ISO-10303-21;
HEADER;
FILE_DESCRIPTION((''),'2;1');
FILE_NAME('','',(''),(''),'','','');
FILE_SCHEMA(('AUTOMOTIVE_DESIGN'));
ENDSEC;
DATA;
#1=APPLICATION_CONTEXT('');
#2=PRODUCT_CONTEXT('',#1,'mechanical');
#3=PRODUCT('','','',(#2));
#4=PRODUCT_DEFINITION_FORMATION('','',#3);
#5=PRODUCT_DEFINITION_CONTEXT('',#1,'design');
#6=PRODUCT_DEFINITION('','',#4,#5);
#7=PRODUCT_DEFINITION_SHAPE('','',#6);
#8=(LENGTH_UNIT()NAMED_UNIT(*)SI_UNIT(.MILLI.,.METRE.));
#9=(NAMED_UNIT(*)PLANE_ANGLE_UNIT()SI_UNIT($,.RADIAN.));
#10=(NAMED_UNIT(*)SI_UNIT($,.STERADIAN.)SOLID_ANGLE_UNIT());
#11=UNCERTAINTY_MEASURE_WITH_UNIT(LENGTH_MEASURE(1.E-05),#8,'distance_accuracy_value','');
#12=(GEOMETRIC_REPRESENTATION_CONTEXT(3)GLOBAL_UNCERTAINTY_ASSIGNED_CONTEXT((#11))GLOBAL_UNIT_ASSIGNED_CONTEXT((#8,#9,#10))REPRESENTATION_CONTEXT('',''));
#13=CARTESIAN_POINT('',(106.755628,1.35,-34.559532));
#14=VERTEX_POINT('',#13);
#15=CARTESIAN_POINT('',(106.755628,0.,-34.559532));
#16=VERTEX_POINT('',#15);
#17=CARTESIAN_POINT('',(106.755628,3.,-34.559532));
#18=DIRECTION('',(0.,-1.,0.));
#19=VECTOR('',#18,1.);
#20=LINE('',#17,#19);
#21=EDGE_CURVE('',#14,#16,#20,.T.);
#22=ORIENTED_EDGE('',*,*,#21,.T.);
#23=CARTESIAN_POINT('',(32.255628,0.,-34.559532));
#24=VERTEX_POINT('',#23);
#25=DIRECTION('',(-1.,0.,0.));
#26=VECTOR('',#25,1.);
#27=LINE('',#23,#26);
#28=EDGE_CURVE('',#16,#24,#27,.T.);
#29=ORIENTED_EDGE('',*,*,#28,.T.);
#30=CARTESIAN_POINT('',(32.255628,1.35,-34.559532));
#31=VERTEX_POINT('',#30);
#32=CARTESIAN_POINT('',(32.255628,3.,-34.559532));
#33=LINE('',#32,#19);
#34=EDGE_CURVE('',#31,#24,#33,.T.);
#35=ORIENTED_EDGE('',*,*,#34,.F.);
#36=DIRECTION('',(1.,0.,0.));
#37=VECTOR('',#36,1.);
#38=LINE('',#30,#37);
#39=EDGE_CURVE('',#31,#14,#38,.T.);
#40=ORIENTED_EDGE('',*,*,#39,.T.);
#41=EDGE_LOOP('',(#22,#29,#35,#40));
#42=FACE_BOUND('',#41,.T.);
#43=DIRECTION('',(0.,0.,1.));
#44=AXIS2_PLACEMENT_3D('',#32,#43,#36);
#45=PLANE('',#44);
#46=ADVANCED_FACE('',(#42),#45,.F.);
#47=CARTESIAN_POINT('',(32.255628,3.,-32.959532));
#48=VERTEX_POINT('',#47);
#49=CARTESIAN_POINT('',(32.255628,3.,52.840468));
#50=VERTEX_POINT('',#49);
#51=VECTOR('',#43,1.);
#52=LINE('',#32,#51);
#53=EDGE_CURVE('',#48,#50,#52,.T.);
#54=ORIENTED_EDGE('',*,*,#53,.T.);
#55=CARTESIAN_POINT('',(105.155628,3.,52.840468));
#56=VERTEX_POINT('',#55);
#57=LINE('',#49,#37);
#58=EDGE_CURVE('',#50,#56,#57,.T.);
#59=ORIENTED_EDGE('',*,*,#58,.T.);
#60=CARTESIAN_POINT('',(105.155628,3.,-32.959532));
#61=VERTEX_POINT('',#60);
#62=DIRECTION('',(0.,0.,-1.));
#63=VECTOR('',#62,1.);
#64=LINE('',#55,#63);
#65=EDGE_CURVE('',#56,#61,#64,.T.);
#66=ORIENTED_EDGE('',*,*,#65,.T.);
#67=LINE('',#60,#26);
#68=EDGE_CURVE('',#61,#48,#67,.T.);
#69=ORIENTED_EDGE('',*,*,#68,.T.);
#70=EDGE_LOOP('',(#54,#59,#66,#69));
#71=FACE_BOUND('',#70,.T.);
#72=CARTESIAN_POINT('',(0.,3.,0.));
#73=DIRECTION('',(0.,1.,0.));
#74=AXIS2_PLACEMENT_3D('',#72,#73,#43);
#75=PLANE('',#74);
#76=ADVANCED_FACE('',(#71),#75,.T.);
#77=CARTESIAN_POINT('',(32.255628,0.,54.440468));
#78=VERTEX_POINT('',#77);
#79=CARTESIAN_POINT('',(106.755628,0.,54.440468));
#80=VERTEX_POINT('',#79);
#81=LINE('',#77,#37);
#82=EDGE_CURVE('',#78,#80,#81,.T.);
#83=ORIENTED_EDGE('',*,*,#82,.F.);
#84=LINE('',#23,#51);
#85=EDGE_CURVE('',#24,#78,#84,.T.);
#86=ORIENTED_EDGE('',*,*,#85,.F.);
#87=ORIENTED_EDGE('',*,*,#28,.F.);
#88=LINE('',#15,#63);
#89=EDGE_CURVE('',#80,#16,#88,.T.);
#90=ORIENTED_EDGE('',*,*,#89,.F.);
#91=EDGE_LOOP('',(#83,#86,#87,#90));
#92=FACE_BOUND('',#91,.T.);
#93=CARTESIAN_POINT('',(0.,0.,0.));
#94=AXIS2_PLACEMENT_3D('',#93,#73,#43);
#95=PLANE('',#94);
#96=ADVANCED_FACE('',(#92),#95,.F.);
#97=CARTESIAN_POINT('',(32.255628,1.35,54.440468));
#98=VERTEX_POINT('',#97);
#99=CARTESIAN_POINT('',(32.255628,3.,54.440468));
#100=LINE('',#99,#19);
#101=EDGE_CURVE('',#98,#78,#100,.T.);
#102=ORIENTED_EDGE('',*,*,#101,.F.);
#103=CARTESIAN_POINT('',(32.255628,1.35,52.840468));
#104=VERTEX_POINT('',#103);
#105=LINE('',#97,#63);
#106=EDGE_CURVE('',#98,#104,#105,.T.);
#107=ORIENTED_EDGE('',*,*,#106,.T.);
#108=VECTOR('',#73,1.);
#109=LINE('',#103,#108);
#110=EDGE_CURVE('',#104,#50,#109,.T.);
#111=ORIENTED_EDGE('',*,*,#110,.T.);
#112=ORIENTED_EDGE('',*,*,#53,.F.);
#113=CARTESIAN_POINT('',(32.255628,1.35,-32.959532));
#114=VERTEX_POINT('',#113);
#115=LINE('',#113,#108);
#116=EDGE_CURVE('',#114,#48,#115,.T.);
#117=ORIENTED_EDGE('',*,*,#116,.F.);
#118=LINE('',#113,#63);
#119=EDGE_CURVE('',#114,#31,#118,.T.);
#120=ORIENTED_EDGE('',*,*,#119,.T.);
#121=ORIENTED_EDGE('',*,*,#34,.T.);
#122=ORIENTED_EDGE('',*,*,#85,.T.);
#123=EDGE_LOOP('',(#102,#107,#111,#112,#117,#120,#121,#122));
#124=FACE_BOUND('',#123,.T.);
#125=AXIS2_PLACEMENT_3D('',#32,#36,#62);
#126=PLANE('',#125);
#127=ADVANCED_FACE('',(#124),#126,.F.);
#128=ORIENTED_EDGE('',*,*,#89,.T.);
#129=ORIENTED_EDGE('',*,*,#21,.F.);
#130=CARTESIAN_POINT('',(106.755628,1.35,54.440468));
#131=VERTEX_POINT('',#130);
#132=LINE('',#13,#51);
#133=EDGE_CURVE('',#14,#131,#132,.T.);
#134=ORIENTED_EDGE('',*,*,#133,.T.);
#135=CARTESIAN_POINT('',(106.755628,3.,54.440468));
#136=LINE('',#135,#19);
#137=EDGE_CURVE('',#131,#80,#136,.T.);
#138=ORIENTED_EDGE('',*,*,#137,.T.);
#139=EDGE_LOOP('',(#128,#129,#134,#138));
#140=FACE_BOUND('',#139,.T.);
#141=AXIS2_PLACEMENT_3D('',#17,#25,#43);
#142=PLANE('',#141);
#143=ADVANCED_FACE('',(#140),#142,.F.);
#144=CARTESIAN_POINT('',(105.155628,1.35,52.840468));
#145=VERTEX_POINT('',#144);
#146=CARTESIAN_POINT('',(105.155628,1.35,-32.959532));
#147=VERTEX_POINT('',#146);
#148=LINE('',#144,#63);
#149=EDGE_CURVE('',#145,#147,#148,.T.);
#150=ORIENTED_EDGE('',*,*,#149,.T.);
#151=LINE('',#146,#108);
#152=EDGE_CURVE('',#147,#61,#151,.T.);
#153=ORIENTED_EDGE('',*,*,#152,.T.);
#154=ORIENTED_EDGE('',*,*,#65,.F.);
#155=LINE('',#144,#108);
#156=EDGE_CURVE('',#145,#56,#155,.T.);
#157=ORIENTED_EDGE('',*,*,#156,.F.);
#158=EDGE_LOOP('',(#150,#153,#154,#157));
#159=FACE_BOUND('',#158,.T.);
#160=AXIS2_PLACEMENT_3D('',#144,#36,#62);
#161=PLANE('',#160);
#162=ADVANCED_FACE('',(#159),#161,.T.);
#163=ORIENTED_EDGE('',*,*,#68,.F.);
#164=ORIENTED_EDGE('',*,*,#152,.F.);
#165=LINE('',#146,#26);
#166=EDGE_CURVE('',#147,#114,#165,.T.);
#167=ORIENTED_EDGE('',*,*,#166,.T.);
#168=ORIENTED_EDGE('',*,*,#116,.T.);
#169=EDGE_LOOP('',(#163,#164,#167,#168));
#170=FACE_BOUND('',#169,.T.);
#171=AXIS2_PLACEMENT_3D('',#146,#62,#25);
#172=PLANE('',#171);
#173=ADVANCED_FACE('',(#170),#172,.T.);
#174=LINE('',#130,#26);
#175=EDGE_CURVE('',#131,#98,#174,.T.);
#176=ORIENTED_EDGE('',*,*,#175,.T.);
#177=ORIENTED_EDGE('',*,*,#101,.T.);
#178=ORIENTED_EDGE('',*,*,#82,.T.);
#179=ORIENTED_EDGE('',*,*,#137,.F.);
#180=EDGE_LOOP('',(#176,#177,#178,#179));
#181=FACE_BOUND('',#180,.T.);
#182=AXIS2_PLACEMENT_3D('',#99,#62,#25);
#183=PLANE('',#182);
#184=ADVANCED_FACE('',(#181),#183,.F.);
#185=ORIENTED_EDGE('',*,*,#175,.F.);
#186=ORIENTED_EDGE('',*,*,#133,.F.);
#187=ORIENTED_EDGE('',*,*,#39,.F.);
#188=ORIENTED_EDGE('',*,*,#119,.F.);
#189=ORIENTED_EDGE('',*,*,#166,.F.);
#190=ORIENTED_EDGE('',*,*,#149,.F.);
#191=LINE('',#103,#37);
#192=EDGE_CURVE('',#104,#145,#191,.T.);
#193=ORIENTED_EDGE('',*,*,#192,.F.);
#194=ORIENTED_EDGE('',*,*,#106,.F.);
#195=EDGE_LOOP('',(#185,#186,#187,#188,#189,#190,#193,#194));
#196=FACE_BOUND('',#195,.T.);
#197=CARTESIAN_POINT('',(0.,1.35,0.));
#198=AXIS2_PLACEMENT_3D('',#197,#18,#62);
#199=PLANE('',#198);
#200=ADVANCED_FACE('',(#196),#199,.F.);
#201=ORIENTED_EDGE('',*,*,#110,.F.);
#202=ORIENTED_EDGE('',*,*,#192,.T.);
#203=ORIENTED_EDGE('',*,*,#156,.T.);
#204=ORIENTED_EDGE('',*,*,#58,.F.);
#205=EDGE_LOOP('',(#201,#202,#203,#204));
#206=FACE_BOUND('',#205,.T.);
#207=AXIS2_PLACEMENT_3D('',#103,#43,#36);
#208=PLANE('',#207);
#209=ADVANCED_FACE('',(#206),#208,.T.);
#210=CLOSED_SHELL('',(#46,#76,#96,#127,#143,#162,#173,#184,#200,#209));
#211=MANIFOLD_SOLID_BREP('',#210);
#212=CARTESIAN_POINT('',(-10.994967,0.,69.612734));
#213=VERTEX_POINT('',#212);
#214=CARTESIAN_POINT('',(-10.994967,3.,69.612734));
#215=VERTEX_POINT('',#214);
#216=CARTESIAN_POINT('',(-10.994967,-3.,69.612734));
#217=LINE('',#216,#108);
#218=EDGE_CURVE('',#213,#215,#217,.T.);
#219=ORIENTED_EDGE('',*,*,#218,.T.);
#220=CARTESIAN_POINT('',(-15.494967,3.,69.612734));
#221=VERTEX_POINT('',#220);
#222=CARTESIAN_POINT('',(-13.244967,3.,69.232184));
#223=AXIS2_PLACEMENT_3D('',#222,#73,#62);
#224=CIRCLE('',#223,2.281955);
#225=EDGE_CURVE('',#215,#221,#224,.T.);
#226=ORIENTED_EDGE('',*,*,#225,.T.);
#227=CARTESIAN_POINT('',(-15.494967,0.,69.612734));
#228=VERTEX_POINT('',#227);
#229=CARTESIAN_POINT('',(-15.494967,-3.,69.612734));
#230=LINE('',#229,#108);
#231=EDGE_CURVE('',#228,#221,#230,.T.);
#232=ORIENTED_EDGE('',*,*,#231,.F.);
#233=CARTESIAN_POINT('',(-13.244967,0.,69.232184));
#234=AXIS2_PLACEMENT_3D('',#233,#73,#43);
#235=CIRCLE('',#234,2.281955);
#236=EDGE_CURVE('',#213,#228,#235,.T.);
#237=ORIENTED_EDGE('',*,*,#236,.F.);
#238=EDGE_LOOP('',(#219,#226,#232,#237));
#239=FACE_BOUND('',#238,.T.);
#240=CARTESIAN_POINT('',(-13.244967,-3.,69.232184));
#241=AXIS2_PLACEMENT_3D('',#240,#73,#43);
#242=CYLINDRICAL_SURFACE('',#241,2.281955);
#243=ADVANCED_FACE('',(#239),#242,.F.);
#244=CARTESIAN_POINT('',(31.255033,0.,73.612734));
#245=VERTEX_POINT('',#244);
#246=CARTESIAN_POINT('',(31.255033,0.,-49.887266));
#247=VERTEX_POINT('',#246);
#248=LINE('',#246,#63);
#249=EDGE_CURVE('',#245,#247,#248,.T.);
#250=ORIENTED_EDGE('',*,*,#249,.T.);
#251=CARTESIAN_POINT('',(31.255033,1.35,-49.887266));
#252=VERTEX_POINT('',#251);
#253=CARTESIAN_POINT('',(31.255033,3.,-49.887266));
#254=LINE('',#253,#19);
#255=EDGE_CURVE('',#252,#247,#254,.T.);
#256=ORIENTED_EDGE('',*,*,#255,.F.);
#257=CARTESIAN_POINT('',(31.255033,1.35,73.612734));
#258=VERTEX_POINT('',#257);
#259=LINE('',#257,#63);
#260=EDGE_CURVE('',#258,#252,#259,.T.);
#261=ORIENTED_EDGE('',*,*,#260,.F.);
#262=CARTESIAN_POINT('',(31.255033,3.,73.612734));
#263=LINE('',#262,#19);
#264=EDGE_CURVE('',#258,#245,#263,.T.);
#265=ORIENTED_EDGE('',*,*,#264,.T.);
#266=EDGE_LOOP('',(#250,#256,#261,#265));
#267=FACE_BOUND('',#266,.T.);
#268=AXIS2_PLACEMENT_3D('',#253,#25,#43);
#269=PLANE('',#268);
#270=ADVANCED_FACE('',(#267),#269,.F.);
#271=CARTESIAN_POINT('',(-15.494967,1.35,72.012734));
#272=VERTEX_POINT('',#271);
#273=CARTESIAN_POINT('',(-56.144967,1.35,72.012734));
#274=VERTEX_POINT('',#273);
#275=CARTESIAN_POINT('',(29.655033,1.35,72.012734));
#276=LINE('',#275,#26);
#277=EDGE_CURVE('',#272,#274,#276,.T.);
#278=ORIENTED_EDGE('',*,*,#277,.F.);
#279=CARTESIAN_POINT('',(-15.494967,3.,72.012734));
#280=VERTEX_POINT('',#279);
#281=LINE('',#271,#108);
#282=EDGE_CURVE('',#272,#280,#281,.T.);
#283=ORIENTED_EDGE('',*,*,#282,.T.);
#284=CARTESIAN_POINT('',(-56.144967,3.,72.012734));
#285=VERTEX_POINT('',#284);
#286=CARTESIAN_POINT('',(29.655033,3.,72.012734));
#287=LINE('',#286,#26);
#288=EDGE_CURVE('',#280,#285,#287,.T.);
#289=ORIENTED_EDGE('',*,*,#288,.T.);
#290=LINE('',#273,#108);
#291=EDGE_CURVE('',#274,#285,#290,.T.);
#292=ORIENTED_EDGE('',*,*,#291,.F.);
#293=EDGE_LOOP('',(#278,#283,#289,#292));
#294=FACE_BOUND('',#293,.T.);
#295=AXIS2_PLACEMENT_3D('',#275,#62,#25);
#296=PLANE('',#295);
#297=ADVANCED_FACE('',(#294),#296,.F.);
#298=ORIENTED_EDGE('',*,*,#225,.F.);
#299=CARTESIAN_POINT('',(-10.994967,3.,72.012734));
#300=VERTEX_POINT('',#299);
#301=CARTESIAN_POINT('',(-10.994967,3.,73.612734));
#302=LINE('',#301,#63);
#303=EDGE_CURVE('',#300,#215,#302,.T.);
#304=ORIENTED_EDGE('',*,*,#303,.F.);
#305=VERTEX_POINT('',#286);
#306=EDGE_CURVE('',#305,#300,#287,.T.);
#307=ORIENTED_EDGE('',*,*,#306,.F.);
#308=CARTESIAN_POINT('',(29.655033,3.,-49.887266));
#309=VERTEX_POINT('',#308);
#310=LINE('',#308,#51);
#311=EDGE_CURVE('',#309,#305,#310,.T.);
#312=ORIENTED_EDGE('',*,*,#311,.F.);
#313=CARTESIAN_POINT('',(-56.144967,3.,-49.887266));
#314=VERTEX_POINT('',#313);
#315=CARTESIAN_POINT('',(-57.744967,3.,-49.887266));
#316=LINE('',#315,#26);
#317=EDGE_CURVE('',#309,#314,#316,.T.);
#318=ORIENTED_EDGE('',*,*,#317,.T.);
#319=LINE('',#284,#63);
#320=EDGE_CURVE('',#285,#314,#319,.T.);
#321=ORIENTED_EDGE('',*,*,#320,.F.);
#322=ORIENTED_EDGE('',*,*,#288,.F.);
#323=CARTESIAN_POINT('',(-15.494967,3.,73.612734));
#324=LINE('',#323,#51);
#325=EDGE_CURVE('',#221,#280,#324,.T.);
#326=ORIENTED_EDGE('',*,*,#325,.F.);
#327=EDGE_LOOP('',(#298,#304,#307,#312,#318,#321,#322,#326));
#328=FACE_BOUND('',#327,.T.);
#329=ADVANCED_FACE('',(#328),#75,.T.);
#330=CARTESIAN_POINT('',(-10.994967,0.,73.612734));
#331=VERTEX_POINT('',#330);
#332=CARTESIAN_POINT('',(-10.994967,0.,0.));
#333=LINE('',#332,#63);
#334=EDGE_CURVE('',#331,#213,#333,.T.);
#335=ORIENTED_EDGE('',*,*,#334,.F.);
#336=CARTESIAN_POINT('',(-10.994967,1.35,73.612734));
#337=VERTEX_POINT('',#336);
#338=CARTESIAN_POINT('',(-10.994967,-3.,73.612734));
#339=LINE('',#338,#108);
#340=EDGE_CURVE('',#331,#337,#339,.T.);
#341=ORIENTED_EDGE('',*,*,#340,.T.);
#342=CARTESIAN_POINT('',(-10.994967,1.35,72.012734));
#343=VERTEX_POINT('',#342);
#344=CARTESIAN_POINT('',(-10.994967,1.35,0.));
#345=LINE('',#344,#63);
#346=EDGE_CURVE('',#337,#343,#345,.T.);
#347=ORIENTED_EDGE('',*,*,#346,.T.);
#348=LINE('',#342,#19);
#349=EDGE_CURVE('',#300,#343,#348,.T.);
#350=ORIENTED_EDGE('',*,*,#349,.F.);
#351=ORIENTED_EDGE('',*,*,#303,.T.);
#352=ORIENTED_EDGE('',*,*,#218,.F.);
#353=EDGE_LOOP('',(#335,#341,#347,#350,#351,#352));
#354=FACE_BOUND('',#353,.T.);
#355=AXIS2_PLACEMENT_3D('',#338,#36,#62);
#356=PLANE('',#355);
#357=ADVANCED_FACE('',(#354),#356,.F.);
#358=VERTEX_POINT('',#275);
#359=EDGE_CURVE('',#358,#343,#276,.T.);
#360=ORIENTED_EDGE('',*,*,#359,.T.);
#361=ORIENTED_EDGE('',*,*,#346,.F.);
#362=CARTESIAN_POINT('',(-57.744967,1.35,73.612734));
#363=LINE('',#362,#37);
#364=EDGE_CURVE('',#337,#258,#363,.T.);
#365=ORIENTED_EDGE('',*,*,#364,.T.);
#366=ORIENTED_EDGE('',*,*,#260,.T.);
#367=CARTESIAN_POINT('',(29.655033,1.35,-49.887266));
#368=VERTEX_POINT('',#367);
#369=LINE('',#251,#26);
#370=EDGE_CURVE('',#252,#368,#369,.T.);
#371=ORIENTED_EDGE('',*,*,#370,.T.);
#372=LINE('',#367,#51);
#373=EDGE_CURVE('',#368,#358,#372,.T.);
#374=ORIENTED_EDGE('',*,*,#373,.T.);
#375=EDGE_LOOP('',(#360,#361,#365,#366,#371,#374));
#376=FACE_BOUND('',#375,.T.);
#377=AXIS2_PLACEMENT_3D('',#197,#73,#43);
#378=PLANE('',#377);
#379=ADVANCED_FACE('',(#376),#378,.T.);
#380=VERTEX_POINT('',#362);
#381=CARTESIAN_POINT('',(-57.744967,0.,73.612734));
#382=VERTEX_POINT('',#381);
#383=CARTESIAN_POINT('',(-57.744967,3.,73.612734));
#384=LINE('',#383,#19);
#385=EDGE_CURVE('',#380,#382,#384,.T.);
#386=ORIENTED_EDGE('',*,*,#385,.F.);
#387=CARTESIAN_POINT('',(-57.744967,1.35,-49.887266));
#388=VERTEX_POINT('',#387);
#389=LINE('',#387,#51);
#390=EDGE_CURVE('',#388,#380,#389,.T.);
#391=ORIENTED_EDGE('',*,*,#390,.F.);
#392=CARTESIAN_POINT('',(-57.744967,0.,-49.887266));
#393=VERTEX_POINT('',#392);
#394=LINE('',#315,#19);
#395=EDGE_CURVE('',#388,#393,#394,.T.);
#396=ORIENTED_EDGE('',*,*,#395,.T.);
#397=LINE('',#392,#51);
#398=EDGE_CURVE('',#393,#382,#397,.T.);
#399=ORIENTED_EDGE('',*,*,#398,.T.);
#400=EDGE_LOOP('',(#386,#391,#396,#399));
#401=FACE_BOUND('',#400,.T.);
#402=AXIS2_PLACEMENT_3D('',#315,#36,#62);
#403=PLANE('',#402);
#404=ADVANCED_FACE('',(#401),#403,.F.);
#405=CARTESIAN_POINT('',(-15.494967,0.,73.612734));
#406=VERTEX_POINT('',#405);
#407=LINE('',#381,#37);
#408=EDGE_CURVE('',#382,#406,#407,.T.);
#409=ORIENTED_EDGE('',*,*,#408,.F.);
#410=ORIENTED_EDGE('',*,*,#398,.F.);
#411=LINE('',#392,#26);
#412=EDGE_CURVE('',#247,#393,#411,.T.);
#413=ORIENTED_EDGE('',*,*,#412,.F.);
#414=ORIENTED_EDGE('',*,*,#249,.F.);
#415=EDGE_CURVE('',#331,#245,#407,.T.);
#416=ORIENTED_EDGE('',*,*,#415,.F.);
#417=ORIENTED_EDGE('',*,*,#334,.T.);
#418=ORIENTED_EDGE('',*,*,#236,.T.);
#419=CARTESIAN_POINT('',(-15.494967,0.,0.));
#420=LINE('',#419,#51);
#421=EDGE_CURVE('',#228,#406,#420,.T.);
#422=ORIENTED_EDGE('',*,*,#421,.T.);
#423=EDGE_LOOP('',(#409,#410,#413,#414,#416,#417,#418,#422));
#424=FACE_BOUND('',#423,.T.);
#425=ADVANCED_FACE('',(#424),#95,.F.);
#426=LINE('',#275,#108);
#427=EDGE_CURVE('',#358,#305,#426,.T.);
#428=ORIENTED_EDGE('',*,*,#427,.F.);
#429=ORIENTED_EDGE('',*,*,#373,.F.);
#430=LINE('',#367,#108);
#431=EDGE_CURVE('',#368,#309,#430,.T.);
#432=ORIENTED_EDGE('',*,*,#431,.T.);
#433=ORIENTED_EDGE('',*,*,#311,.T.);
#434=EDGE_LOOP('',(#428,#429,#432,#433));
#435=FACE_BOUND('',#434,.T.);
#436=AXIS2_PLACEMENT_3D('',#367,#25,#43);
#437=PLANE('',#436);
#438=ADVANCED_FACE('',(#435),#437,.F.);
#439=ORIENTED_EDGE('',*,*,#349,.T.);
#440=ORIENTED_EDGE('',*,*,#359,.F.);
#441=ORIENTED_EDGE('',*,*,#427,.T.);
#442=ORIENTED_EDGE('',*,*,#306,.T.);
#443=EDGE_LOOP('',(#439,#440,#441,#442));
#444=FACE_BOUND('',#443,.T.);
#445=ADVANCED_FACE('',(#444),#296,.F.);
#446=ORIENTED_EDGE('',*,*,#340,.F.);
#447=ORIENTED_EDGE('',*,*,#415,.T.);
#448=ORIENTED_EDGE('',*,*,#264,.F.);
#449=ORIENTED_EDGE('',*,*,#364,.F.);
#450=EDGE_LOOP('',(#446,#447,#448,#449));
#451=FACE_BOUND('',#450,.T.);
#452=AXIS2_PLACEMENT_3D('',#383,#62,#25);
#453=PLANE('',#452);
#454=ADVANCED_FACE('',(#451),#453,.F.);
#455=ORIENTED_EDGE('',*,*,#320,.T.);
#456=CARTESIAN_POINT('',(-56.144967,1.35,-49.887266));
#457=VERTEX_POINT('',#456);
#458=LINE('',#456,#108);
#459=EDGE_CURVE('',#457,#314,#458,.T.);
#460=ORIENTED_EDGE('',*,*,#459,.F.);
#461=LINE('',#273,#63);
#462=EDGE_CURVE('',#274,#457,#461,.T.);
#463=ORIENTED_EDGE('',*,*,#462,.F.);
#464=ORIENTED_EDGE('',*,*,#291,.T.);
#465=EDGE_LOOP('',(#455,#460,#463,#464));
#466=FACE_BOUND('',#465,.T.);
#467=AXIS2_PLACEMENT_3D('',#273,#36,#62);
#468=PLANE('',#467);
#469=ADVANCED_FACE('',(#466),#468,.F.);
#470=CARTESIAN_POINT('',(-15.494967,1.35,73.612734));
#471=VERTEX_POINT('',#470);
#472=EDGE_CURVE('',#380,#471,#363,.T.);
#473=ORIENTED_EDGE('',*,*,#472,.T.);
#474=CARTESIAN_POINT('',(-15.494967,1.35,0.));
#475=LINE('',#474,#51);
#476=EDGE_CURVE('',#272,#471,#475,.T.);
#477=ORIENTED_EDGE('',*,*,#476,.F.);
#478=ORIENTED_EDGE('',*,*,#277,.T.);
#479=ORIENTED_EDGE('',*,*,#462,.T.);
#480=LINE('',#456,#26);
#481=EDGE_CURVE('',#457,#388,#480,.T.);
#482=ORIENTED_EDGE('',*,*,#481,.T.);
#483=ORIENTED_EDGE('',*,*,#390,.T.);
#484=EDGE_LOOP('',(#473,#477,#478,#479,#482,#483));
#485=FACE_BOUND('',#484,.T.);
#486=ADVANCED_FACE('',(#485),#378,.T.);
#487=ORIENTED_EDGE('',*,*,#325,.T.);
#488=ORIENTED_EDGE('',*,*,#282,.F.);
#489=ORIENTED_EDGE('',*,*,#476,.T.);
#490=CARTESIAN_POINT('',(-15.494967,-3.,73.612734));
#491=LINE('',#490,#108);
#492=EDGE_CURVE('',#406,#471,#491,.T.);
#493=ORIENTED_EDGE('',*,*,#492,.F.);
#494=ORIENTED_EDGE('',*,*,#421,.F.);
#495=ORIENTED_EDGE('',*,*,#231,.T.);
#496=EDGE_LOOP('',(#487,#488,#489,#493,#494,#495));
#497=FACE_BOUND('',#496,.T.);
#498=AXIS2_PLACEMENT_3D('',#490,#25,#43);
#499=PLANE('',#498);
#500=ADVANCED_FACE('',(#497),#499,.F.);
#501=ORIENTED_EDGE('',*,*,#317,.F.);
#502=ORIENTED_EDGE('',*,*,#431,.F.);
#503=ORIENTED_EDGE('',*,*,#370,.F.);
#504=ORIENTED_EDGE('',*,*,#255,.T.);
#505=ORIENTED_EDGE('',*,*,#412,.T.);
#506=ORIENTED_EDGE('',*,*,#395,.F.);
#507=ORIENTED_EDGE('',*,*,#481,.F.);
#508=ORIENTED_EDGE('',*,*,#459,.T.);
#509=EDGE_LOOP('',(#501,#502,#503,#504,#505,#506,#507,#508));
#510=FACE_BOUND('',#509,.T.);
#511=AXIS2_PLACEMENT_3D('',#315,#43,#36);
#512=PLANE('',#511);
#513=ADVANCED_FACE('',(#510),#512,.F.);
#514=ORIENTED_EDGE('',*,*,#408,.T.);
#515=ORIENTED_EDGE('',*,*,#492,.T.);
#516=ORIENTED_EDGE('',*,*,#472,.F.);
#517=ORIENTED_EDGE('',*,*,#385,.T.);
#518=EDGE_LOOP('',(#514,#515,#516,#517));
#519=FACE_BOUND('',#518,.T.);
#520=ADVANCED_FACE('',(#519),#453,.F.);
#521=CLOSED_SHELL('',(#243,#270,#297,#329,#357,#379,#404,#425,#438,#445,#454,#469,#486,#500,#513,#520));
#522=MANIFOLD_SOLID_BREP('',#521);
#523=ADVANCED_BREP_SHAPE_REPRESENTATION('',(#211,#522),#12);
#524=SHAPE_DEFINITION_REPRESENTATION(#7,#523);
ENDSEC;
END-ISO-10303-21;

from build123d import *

# Parameters (mm, degrees)
CROQUIS1_W                = 89
CROQUIS1_H                = 123.5
SALIENTE_EXTRUIR1_DEPTH   = 3
CROQUIS1_W_2              = 74.5
CROQUIS1_H_2              = 89
SALIENTE_EXTRUIR1_2_DEPTH = 3
CORTAR_EXTRUIR1_DEPTH     = 1.65
CORTAR_EXTRUIR3_DEPTH     = 6


with BuildPart() as part:
    # Croquis1 → Saliente-Extruir1 (new body)
    with BuildSketch(Plane(origin=(0, 0, 0), x_dir=(1, 0, 0), z_dir=(0, 1, 0))):
        with Locations((-13.244966745, -11.862734426)):
            Rectangle(CROQUIS1_W, CROQUIS1_H)
    extrude(amount=SALIENTE_EXTRUIR1_DEPTH)


with BuildPart() as body_2:
    # Croquis1 → Saliente-Extruir1 2 (new body)
    with BuildSketch(Plane(origin=(0, 0, 0), x_dir=(1, 0, 0), z_dir=(0, 1, 0))):
        with Locations((69.505628415, -9.940468384)):
            Rectangle(CROQUIS1_W_2, CROQUIS1_H_2)
    extrude(amount=SALIENTE_EXTRUIR1_2_DEPTH)


with BuildPart() as cortar_extruir1_tool:
    # Croquis2 → Cortar-Extruir1 (new body)
    with BuildSketch(Plane(origin=(0, 3, 0), x_dir=(1, 0, 0), z_dir=(0, 1, 0))):
        Polygon((-57.744966745, 49.887265574), (-57.744966745, -73.612734426), (31.255033255, -73.612734426), (31.255033255, 49.887265574), (29.655033255, 49.887265574), (29.655033255, -72.012734426), (-56.144966745, -72.012734426), (-56.144966745, 49.887265574), align=None)
        Polygon((32.255628415, 34.559531616), (106.755628415, 34.559531616), (106.755628415, -54.440468384), (32.255628415, -54.440468384), (32.255628415, -52.840468384), (105.155628415, -52.840468384), (105.155628415, 32.959531616), (32.255628415, 32.959531616), align=None)
    extrude(amount=-CORTAR_EXTRUIR1_DEPTH)


with BuildPart() as part_1:
    add(part.part)

    # Cortar-Extruir1: cut by cortar_extruir1_tool
    add(cortar_extruir1_tool.part, mode=Mode.SUBTRACT)

    # Croquis3 → Cortar-Extruir3 (cut)
    with BuildSketch(Plane(origin=(0, 3, 0), x_dir=(1, 0, 0), z_dir=(0, 1, 0))):
        with BuildLine():
            Line((-15.494966745, -73.612734426), (-15.494966745, -69.612734426))
            ThreePointArc((-15.494966745, -69.612734426), (-13.244966745, -66.950228859), (-10.994966745, -69.612734426))
            Line((-10.994966745, -69.612734426), (-10.994966745, -73.612734426))
            Line((-10.994966745, -73.612734426), (-15.494966745, -73.612734426))
        make_face()
    extrude(amount=-CORTAR_EXTRUIR3_DEPTH, mode=Mode.SUBTRACT)


with BuildPart() as body_2_1:
    add(body_2.part)

    # Cortar-Extruir1: cut by cortar_extruir1_tool
    add(cortar_extruir1_tool.part, mode=Mode.SUBTRACT)


solid = Compound([part_1.part, body_2_1.part])
